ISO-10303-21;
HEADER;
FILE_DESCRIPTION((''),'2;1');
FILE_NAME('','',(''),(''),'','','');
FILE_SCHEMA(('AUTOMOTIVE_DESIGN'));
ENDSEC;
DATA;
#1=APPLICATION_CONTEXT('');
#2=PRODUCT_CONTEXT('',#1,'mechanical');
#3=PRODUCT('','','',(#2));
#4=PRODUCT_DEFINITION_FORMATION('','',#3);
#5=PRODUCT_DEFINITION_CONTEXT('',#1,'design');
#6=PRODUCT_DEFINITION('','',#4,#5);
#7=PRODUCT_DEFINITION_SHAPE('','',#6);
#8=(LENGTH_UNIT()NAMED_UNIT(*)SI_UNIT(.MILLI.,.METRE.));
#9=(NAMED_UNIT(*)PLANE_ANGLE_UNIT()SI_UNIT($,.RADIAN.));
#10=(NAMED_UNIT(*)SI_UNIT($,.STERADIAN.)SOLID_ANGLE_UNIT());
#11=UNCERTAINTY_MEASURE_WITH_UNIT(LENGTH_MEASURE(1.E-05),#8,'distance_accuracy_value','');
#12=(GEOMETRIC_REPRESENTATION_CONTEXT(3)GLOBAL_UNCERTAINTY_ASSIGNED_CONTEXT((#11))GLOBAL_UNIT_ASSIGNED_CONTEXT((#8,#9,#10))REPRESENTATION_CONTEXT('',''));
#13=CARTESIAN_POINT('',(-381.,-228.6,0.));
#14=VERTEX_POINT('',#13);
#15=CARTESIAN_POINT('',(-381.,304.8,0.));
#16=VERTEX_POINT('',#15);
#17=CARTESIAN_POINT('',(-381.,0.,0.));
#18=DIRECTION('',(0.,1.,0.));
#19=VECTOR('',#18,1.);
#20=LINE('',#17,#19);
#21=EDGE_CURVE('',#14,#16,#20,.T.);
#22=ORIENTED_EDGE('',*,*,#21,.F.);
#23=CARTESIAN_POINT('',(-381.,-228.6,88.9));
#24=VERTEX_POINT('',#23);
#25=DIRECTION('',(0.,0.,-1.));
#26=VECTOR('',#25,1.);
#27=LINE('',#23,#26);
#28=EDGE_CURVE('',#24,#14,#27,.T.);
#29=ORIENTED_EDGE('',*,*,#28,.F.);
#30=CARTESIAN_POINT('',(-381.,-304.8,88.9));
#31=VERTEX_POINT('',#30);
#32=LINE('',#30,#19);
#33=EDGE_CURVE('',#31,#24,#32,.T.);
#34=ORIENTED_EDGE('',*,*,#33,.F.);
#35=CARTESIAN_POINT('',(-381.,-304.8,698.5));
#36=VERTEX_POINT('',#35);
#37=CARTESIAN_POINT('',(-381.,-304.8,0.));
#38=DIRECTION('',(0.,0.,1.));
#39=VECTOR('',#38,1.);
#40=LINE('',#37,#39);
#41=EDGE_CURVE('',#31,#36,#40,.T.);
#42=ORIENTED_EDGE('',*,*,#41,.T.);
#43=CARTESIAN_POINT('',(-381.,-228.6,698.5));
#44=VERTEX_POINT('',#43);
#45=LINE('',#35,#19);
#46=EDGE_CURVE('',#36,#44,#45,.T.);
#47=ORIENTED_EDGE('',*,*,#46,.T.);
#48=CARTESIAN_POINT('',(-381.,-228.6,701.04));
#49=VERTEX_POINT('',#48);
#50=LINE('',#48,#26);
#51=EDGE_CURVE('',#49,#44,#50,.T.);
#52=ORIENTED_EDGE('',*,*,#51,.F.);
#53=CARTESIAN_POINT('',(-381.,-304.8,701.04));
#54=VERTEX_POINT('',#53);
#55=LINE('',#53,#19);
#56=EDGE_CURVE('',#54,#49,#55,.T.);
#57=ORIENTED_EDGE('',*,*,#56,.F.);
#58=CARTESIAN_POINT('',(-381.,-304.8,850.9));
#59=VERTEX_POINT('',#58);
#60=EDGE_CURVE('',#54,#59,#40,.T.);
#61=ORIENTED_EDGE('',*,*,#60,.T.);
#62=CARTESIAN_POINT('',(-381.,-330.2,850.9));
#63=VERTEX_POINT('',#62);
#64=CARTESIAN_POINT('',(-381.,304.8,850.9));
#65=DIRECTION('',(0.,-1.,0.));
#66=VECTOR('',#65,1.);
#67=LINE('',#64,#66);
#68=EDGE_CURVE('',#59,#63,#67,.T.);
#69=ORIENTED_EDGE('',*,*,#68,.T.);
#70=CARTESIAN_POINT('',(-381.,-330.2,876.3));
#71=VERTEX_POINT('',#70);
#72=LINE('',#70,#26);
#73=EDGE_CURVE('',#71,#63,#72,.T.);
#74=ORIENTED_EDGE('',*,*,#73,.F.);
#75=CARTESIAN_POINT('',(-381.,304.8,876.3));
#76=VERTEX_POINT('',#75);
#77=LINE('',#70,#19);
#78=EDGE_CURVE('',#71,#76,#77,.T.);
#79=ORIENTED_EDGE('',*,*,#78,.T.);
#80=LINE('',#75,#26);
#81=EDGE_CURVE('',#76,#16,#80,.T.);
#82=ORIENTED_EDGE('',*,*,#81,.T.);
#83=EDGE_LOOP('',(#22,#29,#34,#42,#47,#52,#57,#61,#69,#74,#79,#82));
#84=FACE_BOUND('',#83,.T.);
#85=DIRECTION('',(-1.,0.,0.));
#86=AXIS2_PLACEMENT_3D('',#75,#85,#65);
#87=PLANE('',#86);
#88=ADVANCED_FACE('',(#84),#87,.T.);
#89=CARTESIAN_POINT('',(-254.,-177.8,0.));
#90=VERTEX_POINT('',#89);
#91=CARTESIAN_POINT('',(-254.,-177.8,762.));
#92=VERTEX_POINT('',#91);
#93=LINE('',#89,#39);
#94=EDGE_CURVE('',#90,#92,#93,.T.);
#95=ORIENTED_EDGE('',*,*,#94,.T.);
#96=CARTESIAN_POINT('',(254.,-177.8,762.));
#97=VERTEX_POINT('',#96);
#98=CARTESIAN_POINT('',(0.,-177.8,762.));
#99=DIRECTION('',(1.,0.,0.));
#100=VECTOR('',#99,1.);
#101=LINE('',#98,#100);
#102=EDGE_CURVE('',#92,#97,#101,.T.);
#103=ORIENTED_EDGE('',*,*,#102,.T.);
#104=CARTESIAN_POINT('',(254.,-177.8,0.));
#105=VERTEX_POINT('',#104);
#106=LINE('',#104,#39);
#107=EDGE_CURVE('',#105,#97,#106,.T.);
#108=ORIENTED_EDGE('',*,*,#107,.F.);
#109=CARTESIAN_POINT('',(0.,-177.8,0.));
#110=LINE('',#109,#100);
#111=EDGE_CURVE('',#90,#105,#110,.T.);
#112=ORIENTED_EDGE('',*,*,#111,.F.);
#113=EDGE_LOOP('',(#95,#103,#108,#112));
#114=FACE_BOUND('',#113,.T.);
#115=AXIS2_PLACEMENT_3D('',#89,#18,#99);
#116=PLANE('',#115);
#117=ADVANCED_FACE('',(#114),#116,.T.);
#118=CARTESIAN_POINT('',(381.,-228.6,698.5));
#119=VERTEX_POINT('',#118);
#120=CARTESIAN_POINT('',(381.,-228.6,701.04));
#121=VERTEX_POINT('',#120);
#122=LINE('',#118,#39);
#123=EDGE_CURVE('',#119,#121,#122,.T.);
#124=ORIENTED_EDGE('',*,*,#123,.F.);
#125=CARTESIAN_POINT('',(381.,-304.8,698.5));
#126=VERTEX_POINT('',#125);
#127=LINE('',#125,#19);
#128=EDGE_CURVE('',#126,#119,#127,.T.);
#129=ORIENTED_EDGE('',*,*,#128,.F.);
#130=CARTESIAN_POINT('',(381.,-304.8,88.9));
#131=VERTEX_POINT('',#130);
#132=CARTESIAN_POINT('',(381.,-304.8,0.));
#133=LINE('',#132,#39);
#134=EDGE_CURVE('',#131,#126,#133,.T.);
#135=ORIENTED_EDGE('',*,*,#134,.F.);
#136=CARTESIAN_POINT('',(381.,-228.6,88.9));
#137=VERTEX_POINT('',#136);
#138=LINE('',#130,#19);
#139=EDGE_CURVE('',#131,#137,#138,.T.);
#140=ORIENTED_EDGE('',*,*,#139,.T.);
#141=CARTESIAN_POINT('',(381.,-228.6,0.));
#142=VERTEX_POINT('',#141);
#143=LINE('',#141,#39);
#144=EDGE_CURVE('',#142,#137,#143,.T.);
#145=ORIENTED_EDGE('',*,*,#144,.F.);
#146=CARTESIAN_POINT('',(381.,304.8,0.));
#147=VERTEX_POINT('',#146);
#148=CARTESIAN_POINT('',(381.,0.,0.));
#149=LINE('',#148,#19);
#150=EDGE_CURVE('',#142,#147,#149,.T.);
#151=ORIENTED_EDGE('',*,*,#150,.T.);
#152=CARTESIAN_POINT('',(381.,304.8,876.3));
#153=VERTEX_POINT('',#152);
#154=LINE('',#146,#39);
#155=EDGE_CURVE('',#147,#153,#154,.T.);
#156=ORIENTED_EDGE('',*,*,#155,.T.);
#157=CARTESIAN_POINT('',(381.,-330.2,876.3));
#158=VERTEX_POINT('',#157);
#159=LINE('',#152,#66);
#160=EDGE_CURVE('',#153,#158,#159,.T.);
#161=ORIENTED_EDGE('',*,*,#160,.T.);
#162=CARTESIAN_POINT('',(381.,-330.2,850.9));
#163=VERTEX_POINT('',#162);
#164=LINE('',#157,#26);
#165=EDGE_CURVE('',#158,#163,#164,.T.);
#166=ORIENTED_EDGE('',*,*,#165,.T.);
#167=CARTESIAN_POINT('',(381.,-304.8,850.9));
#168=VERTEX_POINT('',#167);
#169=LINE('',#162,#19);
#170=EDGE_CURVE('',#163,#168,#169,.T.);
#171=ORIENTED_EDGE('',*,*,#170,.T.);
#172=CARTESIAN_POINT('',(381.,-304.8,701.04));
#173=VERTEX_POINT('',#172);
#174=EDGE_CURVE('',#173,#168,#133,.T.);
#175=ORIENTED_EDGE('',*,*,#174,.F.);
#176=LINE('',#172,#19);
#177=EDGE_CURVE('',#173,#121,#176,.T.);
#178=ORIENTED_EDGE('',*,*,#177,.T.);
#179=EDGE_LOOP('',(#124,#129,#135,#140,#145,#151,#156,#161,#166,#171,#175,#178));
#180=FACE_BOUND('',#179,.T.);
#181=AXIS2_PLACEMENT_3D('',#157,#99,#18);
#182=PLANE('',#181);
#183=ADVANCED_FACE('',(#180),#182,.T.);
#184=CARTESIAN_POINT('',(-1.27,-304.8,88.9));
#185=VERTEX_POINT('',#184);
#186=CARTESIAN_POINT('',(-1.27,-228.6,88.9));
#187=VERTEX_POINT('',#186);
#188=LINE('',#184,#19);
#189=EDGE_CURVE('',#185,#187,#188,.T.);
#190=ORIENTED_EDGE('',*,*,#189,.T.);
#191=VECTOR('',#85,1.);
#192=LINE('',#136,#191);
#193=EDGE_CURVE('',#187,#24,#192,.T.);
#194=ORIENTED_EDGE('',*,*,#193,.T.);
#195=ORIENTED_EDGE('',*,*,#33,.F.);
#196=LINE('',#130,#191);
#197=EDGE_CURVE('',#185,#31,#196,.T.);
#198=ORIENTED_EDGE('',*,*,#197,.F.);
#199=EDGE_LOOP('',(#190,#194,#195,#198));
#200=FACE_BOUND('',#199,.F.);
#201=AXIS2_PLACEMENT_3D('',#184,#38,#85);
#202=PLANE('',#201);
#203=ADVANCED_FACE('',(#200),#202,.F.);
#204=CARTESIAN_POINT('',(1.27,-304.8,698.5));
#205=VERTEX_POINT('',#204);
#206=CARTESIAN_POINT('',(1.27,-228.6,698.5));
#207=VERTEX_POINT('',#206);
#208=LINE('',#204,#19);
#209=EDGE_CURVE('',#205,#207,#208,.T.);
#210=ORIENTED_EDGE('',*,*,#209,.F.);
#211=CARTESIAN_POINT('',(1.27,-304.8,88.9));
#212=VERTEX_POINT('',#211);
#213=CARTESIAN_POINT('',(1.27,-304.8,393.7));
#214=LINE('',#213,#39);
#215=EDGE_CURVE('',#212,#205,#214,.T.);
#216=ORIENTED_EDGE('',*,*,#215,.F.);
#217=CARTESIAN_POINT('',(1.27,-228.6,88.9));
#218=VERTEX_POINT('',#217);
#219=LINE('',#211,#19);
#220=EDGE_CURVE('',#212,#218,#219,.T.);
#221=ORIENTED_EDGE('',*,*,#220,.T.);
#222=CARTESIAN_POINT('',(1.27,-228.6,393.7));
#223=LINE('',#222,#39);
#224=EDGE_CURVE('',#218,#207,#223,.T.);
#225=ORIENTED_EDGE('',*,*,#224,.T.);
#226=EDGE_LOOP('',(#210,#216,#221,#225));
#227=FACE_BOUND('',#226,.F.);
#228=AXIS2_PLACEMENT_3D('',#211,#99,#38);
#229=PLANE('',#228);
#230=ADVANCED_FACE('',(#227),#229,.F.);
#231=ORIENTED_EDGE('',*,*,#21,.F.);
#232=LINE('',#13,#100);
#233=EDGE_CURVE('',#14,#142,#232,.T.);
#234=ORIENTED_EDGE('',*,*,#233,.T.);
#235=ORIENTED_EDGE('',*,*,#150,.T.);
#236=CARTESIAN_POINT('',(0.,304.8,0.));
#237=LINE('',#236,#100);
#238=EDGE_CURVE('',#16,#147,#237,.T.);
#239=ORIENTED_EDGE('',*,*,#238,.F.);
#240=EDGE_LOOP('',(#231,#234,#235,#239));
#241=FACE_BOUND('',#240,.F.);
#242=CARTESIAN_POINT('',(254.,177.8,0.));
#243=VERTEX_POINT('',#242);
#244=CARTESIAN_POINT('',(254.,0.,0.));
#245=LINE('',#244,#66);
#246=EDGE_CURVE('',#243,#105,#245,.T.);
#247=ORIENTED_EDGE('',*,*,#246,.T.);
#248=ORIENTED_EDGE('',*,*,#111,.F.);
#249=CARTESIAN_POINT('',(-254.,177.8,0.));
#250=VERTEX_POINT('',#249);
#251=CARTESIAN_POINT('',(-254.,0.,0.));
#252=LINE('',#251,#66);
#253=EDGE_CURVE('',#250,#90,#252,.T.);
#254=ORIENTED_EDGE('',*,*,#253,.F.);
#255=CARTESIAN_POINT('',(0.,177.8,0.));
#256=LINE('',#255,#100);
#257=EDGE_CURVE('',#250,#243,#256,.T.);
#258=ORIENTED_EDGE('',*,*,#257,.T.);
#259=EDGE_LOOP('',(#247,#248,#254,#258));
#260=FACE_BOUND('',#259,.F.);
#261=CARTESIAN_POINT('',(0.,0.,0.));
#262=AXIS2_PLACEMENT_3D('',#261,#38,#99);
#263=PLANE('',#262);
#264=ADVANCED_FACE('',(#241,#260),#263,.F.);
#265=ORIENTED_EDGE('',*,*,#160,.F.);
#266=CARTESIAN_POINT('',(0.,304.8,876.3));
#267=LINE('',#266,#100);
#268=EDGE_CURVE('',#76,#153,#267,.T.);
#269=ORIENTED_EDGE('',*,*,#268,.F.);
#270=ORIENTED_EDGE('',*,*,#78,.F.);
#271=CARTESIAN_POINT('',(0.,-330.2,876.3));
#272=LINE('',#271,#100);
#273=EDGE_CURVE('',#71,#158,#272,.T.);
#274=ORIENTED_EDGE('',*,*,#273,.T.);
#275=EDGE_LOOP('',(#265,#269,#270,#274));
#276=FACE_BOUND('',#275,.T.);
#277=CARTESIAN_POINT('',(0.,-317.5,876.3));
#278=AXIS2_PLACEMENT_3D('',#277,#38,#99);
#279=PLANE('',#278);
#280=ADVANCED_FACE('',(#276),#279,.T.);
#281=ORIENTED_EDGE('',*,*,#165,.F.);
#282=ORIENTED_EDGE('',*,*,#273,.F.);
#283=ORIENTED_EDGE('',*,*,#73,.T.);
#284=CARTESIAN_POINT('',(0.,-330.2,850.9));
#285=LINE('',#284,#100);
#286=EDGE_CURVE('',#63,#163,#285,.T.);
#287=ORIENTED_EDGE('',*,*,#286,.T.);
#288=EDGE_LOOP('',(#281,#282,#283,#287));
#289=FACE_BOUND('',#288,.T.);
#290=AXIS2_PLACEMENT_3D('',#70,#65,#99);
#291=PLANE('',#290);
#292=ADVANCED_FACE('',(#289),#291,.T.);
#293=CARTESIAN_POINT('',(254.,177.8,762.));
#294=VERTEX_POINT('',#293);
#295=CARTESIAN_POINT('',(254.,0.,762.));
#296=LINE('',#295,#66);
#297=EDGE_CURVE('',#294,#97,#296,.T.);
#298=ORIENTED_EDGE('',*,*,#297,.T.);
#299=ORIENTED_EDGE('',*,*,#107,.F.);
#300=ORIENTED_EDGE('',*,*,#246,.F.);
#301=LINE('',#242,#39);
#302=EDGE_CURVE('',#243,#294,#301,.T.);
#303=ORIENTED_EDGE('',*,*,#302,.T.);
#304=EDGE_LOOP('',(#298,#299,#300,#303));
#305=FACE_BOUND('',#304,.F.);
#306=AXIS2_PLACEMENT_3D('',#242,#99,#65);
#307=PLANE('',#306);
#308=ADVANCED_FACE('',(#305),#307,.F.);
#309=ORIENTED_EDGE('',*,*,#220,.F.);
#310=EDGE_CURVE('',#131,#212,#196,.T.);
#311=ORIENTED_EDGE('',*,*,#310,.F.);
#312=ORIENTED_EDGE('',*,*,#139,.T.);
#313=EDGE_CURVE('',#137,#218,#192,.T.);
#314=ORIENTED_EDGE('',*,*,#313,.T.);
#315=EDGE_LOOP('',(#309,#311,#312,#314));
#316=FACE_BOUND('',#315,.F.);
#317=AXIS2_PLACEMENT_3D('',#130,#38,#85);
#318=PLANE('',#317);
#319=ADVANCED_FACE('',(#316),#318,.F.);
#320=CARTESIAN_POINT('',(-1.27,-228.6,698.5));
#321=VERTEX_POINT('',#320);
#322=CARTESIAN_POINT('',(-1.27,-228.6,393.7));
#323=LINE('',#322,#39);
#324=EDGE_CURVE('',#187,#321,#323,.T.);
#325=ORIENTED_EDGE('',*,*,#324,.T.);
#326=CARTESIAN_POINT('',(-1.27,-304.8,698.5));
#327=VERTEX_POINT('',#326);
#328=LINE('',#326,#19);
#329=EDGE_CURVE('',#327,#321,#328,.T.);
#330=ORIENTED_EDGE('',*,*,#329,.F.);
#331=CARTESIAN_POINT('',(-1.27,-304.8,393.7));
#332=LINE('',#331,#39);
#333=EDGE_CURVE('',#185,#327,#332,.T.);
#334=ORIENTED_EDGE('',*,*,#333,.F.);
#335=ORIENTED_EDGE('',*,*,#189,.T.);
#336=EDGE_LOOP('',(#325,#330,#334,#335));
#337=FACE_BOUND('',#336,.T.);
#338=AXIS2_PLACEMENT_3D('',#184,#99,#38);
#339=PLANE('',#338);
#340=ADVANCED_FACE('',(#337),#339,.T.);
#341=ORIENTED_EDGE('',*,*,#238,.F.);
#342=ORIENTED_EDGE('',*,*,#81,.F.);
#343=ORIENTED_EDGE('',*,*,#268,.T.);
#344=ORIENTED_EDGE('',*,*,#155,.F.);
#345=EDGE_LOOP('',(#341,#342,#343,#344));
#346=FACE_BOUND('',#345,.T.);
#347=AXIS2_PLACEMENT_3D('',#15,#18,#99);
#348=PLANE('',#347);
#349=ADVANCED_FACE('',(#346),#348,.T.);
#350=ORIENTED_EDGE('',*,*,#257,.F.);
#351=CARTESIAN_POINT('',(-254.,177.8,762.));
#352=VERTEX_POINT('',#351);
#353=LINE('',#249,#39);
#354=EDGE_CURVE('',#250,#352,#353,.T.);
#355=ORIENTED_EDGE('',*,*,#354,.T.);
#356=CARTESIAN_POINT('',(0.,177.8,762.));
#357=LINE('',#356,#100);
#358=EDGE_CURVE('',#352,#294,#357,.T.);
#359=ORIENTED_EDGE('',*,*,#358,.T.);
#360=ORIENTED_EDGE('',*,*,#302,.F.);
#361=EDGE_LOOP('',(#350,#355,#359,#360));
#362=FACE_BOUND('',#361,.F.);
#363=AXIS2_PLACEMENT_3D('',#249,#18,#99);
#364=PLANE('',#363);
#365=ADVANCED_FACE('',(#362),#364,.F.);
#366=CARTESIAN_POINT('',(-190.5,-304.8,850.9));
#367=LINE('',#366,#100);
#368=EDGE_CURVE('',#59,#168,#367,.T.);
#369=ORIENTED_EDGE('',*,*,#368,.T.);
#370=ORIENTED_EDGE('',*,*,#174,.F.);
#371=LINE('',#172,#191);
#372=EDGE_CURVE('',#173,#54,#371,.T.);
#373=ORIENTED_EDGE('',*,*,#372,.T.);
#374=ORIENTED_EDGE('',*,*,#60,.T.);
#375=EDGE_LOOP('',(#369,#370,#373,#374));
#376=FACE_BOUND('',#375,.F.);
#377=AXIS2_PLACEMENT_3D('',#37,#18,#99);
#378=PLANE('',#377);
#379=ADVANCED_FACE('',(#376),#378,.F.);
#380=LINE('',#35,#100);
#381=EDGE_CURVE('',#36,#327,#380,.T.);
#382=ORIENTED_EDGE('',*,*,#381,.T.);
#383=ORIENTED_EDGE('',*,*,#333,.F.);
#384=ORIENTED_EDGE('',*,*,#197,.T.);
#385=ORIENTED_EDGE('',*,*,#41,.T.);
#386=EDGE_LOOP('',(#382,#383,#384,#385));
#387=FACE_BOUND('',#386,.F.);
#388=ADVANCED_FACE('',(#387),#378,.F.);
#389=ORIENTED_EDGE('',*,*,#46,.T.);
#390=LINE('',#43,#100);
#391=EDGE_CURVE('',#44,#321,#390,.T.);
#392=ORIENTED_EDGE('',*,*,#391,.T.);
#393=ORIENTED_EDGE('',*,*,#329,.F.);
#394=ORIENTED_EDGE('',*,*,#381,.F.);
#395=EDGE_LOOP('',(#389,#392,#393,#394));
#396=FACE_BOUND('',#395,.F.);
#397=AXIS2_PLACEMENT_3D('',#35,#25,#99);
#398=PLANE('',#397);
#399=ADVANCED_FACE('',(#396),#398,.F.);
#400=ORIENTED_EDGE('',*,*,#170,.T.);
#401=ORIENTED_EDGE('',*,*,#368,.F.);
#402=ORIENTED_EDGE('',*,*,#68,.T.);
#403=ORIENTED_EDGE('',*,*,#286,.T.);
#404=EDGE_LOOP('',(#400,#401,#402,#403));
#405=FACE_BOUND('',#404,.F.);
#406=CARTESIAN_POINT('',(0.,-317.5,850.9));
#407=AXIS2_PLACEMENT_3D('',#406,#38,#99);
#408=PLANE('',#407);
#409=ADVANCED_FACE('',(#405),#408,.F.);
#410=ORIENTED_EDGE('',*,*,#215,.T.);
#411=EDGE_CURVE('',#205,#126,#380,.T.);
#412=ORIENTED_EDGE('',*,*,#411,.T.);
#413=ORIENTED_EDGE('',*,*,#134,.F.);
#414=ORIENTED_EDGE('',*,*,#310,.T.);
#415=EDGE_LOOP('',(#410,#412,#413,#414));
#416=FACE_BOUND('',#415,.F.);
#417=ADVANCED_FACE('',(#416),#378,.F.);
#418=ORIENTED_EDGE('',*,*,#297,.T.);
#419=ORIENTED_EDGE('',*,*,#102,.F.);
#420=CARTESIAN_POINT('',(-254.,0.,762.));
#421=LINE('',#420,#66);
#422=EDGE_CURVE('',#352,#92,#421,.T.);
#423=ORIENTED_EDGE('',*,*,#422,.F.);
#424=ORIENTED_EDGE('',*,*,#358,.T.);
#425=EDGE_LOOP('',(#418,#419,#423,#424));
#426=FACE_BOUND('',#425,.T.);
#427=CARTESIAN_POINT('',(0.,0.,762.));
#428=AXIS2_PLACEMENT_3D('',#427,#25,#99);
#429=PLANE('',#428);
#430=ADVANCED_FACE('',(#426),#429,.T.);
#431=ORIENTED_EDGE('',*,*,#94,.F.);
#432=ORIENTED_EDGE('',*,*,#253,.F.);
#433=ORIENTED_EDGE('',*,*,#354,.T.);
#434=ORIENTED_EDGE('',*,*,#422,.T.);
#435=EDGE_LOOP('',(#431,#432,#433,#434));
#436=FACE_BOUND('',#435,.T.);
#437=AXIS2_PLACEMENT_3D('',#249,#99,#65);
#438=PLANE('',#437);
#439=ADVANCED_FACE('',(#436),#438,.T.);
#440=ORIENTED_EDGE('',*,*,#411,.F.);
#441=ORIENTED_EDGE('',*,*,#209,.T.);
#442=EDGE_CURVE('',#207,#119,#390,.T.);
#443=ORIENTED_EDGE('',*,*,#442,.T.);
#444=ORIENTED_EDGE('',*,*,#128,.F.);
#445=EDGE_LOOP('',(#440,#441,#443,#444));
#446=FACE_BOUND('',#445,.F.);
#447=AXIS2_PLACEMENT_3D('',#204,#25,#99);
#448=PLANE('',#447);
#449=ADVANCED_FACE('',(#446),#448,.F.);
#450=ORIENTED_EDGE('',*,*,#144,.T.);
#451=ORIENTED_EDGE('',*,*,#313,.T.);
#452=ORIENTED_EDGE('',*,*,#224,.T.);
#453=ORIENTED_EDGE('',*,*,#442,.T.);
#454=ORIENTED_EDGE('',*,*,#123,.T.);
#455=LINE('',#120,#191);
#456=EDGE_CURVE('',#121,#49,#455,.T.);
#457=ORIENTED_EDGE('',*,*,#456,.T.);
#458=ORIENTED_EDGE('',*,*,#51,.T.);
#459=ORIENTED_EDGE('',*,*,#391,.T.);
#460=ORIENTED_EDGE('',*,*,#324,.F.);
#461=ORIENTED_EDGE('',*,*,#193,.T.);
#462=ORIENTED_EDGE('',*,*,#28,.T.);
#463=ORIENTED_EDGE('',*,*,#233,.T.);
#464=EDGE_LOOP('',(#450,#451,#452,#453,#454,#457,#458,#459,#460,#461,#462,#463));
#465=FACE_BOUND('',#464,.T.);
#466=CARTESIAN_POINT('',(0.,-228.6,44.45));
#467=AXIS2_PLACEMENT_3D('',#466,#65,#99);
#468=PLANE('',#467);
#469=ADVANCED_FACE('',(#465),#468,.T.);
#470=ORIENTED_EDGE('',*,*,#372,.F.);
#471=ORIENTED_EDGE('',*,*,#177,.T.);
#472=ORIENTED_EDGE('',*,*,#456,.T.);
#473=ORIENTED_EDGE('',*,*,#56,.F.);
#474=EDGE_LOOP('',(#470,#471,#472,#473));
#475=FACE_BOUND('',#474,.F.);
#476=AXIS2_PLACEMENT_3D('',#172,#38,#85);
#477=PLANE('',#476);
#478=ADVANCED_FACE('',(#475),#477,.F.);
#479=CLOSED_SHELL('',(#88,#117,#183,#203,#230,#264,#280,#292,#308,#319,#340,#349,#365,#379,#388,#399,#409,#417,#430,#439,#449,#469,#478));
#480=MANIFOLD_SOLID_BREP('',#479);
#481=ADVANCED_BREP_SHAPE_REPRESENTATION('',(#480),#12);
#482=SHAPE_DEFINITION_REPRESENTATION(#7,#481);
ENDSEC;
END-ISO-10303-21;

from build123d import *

# Parameters (mm, degrees)
F0_W     = 762
F0_H     = 609.6
F1_DEPTH = 876.3
F2_W     = 2.54
F2_H     = 609.6
F3_DEPTH = 76.2
F4_W     = 762
F4_H     = 25.4
F4_H_2   = 609.6
F5_DEPTH = 25.4
F6_W     = 508
F6_H     = 355.6
F7_DEPTH = 762


with BuildPart() as f1:
    # F0 (on Top) → F1 (new body)
    with BuildSketch(Plane.XY):
        Rectangle(F0_W, F0_H)
    extrude(amount=F1_DEPTH)

    # F2 (on face) → F3 (cut)
    with BuildSketch(Plane.XZ.offset(304.8)):
        Polygon((-381, 88.9), (-381, 0), (381, 0), (381, 88.9), (1.27, 88.9), (-1.27, 88.9), align=None)
        Polygon((-381, 701.04), (-381, 698.5), (-1.27, 698.5), (1.27, 698.5), (381, 698.5), (381, 701.04), align=None)
        with Locations((0, 393.7)):
            Rectangle(F2_W, F2_H)
    extrude(amount=-F3_DEPTH, mode=Mode.SUBTRACT)

    # F4 (on face) → F5 (join)
    with BuildSketch(Plane.XY.offset(876.3)):
        with Locations((0, -317.5)):
            Rectangle(F4_W, F4_H)
        Rectangle(F4_W, F4_H_2)
    extrude(amount=-F5_DEPTH)

    # F6 (on face) → F7 (cut)
    with BuildSketch(Plane(origin=(0, 0, 0), x_dir=(1, 0, 0), z_dir=(0, 0, -1))):
        Rectangle(F6_W, F6_H)
    extrude(amount=-F7_DEPTH, mode=Mode.SUBTRACT)


solid = f1.part
